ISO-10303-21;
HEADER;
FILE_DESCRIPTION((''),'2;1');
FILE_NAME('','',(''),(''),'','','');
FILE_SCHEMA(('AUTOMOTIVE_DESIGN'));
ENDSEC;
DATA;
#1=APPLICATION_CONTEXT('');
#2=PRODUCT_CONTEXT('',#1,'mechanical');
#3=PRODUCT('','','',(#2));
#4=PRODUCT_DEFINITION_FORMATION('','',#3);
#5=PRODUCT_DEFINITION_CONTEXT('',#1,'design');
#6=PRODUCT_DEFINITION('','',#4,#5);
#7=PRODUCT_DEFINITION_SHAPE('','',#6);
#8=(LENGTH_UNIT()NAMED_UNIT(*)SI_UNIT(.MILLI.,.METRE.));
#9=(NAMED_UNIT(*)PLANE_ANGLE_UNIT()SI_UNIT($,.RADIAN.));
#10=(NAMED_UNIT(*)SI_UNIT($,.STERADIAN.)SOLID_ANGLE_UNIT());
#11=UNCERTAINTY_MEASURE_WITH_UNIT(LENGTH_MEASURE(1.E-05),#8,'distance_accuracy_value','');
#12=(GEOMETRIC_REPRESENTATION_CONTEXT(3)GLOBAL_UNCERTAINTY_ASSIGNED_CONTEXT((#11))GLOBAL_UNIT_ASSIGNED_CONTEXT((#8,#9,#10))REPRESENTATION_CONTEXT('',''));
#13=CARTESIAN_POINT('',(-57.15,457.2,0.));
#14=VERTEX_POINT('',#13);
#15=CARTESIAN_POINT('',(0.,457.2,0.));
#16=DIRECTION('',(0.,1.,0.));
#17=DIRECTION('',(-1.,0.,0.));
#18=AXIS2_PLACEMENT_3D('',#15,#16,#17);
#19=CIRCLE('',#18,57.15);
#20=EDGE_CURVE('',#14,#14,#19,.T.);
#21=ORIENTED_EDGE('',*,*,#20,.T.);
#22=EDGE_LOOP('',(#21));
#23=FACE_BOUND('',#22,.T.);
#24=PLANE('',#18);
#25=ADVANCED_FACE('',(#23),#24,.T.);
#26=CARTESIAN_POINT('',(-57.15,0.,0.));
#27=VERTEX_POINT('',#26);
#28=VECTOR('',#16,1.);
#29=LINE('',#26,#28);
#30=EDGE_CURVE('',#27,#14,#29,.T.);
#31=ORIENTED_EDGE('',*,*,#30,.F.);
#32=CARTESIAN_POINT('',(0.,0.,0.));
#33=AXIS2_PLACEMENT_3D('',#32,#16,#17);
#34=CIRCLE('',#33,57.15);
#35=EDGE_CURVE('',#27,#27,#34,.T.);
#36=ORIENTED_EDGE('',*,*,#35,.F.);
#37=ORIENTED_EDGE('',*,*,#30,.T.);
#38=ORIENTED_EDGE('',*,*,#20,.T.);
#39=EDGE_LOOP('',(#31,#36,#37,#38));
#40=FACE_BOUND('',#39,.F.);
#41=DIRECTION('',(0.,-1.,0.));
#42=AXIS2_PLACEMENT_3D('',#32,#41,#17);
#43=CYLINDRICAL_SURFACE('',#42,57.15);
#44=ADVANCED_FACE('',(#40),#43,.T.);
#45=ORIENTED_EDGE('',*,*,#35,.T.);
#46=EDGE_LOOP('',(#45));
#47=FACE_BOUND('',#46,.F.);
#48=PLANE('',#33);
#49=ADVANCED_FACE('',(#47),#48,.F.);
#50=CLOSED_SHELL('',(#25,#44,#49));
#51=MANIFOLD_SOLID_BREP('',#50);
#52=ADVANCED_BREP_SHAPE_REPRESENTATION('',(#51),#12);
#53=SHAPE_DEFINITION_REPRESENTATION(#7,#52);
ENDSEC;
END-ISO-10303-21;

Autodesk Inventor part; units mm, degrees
ref_plane "YZ Plane" through (0, 0, 0) normal (1, 0, 0) x (0, 1, 0)
ref_plane "XZ Plane" through (0, 0, 0) normal (0, 1, 0) x (-1, 0, 0)
ref_plane "XY Plane" through (0, 0, 0) normal (0, 0, 1) x (1, 0, 0)
sketch "Sketch1" plane through (0, 0, 0) normal (0, 1, 0) x (-1, 0, 0)
  circle A0 centre (0, 0) radius 57.15
  dimension "d0" = 114.3
extrude "Extrusion1" add sketch "Sketch1" along normal blind 457.2
properties part number "Control Pipe"
